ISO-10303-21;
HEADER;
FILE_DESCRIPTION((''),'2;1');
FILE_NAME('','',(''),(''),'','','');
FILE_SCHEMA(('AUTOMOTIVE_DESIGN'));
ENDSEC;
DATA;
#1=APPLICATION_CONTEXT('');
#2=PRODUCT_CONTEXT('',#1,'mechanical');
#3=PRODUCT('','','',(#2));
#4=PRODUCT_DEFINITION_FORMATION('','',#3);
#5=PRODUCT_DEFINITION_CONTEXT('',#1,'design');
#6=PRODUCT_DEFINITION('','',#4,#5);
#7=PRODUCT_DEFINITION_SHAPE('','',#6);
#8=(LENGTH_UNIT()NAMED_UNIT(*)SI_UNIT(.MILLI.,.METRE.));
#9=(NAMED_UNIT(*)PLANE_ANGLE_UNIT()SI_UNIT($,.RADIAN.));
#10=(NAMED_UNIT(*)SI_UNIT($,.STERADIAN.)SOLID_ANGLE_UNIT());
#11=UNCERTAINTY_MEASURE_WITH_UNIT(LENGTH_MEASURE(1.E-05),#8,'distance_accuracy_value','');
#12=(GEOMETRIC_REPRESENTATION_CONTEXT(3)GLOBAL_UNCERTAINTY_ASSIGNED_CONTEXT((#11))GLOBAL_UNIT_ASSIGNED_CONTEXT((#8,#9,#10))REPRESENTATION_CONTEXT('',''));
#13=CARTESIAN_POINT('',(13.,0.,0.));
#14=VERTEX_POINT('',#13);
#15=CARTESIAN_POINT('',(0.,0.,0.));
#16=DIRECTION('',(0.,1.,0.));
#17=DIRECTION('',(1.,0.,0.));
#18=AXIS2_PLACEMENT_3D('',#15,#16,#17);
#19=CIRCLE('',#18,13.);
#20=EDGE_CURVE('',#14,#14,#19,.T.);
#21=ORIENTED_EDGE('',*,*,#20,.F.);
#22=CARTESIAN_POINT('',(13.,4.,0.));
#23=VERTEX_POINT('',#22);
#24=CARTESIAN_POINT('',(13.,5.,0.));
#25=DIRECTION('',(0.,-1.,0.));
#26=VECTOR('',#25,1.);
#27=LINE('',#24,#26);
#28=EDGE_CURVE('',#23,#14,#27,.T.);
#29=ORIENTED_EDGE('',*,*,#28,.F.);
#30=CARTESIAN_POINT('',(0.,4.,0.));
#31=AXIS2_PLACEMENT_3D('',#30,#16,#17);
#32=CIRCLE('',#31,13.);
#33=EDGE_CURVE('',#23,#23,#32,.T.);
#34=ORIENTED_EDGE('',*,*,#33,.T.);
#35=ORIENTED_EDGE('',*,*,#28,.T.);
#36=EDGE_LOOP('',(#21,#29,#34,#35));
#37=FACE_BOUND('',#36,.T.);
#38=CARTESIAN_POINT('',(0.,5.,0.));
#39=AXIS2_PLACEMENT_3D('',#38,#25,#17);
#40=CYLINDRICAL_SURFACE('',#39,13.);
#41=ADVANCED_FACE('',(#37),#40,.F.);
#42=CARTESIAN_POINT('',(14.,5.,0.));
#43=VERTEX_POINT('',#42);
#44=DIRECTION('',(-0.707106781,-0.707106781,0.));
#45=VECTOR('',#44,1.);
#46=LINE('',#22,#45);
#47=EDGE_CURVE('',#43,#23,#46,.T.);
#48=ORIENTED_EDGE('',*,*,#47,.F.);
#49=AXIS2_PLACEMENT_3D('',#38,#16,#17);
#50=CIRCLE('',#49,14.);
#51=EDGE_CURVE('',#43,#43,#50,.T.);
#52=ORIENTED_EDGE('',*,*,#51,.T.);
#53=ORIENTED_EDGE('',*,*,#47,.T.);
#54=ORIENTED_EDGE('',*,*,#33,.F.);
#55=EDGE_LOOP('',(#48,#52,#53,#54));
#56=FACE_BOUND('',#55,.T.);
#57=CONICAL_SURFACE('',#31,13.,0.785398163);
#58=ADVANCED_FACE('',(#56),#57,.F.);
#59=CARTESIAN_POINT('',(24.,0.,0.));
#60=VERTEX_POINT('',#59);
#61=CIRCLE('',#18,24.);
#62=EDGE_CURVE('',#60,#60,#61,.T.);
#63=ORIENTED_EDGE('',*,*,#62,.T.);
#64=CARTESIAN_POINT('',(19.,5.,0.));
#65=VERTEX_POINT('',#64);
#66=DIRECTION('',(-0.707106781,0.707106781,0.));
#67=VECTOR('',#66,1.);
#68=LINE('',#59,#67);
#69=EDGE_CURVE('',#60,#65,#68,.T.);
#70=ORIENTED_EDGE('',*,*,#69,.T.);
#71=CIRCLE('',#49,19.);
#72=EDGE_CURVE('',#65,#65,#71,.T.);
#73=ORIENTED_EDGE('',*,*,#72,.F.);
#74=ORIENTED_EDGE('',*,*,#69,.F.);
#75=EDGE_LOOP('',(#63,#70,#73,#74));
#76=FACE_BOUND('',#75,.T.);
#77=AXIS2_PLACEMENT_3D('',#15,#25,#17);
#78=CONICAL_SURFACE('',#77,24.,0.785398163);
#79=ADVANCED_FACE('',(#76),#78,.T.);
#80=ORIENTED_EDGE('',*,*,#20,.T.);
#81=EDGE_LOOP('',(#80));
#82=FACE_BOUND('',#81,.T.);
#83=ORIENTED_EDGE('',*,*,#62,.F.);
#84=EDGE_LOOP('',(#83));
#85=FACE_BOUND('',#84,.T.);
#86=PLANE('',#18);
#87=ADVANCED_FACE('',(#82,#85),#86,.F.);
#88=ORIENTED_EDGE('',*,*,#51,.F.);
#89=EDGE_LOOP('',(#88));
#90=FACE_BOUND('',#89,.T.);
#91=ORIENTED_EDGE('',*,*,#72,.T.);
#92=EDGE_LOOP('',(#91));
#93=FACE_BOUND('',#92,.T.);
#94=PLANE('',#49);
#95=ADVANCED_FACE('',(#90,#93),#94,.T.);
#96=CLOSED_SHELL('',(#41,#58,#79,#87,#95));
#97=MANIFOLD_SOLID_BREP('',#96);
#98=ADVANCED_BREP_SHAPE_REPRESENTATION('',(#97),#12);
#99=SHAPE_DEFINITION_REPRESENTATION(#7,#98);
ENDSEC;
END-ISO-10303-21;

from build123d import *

# Parameters (mm, degrees)
CHAMFER_SIZE = 1


with BuildPart() as part:
    # Sketch → Revolution (revolve)
    with BuildSketch(Plane.XY):
        Polygon((24, 0), (19, 5), (13, 5), (13, 0), align=None)
    revolve(axis=Axis((0, 0, 0), (0, 1, 0)))

    # Chamfer
    chamfer_edges = [part.edges().sort_by_distance(p)[0] for p in [
        (-13, 5, 0),
    ]]
    chamfer(chamfer_edges, length=CHAMFER_SIZE)


solid = part.part
